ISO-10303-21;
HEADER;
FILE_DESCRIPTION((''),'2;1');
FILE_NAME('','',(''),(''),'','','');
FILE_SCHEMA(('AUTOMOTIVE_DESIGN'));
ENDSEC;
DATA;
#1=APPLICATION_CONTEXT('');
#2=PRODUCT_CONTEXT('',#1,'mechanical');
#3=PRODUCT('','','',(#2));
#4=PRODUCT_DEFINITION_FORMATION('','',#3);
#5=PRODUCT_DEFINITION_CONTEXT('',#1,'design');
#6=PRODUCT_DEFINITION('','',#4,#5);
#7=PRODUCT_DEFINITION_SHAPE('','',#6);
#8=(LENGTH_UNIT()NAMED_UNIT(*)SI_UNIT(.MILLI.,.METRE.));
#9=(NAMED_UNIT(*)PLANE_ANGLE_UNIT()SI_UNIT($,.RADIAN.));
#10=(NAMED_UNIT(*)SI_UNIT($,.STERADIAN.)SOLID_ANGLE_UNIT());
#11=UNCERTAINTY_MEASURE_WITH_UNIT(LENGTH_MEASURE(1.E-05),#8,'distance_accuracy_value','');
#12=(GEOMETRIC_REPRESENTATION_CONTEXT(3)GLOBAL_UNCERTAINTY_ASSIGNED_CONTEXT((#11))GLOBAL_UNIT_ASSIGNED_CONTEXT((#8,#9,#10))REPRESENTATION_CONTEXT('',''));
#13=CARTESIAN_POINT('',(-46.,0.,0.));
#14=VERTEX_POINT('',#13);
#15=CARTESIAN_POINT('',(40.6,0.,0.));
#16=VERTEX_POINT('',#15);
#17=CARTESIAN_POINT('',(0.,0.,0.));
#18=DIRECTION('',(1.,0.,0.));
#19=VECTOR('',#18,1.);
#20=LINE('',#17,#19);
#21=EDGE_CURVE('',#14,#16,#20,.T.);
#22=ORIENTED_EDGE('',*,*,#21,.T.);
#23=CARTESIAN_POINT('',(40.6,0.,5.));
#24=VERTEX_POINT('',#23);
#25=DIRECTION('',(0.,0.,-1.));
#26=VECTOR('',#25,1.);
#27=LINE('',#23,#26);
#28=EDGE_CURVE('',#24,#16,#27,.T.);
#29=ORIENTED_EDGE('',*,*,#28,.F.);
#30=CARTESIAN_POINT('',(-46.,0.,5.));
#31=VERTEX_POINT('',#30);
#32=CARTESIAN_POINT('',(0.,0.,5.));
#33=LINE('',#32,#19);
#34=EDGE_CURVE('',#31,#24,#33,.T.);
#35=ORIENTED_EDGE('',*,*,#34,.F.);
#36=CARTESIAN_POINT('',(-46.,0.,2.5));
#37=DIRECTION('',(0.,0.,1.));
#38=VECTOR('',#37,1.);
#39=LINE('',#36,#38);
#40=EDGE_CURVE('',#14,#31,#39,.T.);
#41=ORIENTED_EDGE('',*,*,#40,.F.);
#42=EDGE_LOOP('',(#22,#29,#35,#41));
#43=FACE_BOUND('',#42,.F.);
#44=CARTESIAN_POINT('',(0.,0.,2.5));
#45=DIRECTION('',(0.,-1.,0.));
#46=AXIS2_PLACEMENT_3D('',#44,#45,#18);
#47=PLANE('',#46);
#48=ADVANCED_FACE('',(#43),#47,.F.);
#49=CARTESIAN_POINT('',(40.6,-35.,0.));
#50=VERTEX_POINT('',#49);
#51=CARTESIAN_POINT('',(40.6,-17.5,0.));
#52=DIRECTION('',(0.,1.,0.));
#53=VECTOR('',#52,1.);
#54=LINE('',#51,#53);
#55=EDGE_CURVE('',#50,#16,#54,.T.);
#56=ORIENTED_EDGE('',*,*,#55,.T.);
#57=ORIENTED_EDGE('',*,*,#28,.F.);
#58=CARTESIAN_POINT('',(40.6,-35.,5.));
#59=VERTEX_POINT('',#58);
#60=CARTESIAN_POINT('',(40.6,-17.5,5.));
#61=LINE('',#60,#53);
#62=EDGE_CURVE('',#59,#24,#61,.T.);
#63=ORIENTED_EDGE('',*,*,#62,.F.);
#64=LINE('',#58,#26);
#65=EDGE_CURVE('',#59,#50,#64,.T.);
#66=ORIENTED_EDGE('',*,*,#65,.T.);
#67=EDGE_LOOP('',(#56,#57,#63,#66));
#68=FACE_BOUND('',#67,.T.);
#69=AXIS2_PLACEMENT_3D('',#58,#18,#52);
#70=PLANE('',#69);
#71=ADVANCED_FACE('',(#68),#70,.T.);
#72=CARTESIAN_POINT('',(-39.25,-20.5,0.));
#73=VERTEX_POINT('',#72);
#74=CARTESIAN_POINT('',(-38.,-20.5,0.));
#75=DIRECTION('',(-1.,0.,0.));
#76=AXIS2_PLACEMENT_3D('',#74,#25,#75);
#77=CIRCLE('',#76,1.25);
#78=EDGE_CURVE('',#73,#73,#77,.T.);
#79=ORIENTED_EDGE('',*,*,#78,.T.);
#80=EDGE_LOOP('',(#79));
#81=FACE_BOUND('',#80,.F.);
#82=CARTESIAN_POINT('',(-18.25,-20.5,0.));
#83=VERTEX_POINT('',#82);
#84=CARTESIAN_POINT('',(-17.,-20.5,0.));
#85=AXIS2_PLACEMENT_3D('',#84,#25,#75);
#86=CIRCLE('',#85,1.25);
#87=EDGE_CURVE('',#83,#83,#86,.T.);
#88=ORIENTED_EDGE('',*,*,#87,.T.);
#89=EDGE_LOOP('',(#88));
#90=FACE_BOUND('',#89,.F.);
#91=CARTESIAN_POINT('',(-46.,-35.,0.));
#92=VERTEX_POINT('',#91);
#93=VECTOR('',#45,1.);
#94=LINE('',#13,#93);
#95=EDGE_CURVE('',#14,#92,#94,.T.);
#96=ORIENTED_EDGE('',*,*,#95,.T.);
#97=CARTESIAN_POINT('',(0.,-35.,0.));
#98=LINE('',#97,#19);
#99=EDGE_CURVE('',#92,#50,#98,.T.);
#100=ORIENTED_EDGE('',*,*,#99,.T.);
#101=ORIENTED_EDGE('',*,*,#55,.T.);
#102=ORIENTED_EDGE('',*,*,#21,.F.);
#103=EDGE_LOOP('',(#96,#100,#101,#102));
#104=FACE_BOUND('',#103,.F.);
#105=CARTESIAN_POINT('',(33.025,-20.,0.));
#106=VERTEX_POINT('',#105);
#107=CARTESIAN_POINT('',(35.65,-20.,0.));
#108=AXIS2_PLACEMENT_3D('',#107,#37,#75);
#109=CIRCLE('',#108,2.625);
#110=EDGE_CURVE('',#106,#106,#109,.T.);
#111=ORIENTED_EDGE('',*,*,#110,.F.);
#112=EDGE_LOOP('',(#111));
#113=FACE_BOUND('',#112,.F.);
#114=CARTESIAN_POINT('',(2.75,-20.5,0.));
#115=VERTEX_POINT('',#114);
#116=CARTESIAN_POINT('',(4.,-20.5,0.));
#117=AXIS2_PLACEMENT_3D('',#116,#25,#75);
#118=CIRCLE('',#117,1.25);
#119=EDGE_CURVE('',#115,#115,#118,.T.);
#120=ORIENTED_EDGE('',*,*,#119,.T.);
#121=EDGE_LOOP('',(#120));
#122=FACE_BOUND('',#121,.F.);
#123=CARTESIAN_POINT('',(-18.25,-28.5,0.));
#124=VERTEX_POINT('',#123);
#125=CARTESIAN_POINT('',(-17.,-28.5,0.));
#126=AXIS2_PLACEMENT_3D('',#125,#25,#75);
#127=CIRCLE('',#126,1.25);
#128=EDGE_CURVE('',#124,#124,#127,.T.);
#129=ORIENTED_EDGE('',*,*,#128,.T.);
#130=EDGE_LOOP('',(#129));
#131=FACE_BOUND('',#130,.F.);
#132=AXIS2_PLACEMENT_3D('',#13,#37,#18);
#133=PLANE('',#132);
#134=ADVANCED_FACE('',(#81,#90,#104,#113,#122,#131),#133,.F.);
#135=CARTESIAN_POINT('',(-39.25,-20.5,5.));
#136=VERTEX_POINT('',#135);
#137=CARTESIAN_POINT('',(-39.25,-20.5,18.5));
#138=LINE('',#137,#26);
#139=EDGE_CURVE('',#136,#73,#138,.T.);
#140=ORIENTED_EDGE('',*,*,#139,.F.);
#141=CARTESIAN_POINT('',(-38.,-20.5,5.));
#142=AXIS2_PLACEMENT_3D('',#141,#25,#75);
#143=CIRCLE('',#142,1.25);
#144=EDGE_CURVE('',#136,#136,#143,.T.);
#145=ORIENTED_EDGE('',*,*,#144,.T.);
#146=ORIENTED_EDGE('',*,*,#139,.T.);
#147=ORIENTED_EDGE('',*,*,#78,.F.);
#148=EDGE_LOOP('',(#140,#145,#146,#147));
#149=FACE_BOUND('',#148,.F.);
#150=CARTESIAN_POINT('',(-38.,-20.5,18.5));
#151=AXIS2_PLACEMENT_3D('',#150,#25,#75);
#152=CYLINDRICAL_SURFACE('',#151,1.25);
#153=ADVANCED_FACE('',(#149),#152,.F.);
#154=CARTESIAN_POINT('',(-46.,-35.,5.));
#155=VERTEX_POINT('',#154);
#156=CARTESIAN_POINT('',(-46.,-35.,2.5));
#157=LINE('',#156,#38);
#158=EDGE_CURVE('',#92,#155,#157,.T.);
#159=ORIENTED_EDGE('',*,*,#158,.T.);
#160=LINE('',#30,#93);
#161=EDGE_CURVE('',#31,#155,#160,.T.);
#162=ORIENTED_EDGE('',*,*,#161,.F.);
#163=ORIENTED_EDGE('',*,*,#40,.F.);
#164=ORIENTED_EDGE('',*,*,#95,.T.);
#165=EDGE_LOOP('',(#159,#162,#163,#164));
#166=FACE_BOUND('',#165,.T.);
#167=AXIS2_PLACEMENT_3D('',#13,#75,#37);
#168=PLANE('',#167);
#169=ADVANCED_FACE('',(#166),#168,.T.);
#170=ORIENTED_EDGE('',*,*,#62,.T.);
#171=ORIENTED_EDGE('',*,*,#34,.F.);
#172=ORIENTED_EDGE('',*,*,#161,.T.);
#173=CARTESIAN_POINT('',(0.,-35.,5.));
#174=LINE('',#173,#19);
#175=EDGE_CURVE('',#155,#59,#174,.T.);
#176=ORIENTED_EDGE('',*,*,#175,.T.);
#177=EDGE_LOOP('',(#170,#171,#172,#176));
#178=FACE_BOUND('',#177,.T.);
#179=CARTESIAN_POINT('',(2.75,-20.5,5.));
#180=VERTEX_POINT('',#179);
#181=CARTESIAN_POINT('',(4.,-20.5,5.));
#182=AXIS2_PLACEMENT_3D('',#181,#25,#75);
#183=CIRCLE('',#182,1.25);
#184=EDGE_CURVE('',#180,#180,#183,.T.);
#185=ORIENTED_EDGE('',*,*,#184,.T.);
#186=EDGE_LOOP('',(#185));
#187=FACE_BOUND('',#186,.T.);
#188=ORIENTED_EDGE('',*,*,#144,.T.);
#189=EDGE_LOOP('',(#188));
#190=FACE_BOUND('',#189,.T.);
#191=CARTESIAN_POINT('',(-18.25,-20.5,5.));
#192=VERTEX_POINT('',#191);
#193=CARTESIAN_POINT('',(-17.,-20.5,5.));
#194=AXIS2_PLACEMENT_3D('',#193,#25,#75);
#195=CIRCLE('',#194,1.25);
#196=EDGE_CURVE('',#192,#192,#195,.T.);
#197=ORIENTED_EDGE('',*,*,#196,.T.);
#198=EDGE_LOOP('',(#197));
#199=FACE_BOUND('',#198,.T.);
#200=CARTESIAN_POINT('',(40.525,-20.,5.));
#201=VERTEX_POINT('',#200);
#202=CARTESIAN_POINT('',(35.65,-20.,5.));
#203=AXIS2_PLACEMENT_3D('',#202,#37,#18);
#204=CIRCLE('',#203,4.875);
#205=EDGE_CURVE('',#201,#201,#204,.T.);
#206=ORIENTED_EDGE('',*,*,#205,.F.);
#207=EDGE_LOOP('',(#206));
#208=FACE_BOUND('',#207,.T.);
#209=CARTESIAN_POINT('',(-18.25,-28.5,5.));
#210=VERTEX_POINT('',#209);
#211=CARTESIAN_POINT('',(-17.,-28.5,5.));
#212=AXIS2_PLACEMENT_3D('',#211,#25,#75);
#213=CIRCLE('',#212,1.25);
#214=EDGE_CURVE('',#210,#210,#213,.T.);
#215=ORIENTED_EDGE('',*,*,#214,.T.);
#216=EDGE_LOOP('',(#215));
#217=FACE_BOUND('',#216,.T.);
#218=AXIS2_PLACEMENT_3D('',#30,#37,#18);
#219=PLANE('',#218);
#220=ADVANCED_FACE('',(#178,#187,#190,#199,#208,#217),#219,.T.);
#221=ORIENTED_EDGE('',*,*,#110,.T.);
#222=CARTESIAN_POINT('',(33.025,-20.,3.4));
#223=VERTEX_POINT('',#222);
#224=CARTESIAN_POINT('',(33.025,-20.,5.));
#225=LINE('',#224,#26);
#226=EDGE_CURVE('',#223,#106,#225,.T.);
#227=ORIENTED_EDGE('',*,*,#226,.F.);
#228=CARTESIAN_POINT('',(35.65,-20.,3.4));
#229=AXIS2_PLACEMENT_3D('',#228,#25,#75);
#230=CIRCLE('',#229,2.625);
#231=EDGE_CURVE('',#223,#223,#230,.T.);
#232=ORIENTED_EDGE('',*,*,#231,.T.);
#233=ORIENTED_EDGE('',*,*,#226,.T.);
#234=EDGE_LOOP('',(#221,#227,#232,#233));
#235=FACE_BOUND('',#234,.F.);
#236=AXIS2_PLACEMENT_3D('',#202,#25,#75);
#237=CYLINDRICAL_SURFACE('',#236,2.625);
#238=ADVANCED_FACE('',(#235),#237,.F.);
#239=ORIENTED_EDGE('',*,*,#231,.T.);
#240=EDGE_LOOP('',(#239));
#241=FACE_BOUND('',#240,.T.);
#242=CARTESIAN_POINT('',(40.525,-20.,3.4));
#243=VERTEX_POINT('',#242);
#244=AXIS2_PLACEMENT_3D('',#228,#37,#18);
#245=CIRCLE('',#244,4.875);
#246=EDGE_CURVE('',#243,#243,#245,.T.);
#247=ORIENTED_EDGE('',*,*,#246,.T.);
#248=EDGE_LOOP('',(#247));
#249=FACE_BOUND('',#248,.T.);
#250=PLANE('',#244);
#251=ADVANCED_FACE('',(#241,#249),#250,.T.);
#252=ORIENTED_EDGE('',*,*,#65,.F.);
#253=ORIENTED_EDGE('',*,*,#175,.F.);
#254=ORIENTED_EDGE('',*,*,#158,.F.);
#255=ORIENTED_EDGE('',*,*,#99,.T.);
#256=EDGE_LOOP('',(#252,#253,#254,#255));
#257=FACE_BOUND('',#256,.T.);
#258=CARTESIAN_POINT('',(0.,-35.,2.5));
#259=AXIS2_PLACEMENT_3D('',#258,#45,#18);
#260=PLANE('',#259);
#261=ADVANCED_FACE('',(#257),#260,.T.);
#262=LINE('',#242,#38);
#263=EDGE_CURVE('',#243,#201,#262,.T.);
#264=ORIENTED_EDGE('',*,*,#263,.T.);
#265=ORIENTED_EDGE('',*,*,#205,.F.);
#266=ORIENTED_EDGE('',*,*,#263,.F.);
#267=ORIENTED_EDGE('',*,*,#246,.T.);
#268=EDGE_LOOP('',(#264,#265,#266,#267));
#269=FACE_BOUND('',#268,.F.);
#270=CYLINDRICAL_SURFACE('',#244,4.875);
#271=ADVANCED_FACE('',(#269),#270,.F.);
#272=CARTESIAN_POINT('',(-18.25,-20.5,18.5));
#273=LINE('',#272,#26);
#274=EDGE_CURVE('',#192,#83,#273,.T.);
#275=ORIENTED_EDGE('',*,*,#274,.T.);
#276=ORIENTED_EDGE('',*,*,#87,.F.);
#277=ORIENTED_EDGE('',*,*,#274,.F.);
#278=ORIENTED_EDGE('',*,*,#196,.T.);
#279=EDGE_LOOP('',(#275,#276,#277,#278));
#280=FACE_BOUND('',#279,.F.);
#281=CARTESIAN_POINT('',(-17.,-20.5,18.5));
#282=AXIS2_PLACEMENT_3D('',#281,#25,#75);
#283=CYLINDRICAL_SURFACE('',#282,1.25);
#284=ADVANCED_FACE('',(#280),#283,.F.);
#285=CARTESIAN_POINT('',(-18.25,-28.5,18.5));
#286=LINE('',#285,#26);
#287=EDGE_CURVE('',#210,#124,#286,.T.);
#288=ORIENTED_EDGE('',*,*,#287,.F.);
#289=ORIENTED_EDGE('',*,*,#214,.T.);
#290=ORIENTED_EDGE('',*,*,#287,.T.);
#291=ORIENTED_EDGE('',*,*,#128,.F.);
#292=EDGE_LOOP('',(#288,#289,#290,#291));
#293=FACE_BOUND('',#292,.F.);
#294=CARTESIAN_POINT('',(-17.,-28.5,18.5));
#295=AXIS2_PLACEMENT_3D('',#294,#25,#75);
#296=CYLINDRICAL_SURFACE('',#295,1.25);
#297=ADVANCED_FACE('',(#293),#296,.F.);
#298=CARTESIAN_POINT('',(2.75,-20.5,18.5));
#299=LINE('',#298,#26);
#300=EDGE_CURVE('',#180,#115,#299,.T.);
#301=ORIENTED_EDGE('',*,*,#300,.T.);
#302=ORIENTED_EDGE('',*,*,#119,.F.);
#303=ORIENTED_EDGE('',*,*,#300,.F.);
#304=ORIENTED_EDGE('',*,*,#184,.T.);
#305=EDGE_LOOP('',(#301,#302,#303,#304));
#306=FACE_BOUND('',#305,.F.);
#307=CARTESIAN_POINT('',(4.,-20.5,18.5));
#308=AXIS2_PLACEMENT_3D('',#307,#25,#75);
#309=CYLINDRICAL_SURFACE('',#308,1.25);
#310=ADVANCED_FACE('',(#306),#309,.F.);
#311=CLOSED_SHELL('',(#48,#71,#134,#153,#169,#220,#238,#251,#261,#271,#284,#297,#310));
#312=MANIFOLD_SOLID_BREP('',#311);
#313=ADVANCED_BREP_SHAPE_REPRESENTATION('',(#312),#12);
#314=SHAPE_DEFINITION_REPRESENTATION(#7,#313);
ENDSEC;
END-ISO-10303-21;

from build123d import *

# Parameters (mm, degrees)
F0_W           = 92
F0_H           = 5
F1_DEPTH       = 35
F3_D           = 5.25
F3_DEPTH       = 5
F3_CBORE_D     = 9.75
F3_CBORE_DEPTH = 1.6
F3_TIP         = 1.5772591249
F4_D           = 2.5
F4_DEPTH       = 13.5
F4_TIP         = 0.7510757738
F2_W           = 5.4
F2_H           = 35
F5_DEPTH       = 5


with BuildPart() as f1:
    # F0 (on Front) → F1 (new body)
    with BuildSketch(Plane.XZ):
        with Locations((0, 2.5)):
            Rectangle(F0_W, F0_H)
    extrude(amount=F1_DEPTH)

    # F3
    with Locations(Plane.XY.offset(5)):
        with Locations((35.65, -20)):
            CounterBoreHole(F3_D / 2, F3_CBORE_D / 2, F3_CBORE_DEPTH, depth=F3_DEPTH)
            with Locations((0, 0, -(F3_DEPTH + F3_TIP / 2))):  # 118° drill point
                Cone(0, F3_D / 2, F3_TIP, mode=Mode.SUBTRACT)

    # F4
    with Locations(Plane.XY.offset(5)):
        with Locations((-38, -20.5), (-17, -20.5), (4, -20.5), (-17, -28.5)):
            Hole(F4_D / 2, depth=F4_DEPTH)
            with Locations((0, 0, -(F4_DEPTH + F4_TIP / 2))):  # 118° drill point
                Cone(0, F4_D / 2, F4_TIP, mode=Mode.SUBTRACT)

    # F2 (on face) → F5 (cut)
    with BuildSketch(Plane.XY.offset(5)):
        with Locations((43.3, -17.5)):
            Rectangle(F2_W, F2_H)
    extrude(amount=-F5_DEPTH, mode=Mode.SUBTRACT)


solid = f1.part
